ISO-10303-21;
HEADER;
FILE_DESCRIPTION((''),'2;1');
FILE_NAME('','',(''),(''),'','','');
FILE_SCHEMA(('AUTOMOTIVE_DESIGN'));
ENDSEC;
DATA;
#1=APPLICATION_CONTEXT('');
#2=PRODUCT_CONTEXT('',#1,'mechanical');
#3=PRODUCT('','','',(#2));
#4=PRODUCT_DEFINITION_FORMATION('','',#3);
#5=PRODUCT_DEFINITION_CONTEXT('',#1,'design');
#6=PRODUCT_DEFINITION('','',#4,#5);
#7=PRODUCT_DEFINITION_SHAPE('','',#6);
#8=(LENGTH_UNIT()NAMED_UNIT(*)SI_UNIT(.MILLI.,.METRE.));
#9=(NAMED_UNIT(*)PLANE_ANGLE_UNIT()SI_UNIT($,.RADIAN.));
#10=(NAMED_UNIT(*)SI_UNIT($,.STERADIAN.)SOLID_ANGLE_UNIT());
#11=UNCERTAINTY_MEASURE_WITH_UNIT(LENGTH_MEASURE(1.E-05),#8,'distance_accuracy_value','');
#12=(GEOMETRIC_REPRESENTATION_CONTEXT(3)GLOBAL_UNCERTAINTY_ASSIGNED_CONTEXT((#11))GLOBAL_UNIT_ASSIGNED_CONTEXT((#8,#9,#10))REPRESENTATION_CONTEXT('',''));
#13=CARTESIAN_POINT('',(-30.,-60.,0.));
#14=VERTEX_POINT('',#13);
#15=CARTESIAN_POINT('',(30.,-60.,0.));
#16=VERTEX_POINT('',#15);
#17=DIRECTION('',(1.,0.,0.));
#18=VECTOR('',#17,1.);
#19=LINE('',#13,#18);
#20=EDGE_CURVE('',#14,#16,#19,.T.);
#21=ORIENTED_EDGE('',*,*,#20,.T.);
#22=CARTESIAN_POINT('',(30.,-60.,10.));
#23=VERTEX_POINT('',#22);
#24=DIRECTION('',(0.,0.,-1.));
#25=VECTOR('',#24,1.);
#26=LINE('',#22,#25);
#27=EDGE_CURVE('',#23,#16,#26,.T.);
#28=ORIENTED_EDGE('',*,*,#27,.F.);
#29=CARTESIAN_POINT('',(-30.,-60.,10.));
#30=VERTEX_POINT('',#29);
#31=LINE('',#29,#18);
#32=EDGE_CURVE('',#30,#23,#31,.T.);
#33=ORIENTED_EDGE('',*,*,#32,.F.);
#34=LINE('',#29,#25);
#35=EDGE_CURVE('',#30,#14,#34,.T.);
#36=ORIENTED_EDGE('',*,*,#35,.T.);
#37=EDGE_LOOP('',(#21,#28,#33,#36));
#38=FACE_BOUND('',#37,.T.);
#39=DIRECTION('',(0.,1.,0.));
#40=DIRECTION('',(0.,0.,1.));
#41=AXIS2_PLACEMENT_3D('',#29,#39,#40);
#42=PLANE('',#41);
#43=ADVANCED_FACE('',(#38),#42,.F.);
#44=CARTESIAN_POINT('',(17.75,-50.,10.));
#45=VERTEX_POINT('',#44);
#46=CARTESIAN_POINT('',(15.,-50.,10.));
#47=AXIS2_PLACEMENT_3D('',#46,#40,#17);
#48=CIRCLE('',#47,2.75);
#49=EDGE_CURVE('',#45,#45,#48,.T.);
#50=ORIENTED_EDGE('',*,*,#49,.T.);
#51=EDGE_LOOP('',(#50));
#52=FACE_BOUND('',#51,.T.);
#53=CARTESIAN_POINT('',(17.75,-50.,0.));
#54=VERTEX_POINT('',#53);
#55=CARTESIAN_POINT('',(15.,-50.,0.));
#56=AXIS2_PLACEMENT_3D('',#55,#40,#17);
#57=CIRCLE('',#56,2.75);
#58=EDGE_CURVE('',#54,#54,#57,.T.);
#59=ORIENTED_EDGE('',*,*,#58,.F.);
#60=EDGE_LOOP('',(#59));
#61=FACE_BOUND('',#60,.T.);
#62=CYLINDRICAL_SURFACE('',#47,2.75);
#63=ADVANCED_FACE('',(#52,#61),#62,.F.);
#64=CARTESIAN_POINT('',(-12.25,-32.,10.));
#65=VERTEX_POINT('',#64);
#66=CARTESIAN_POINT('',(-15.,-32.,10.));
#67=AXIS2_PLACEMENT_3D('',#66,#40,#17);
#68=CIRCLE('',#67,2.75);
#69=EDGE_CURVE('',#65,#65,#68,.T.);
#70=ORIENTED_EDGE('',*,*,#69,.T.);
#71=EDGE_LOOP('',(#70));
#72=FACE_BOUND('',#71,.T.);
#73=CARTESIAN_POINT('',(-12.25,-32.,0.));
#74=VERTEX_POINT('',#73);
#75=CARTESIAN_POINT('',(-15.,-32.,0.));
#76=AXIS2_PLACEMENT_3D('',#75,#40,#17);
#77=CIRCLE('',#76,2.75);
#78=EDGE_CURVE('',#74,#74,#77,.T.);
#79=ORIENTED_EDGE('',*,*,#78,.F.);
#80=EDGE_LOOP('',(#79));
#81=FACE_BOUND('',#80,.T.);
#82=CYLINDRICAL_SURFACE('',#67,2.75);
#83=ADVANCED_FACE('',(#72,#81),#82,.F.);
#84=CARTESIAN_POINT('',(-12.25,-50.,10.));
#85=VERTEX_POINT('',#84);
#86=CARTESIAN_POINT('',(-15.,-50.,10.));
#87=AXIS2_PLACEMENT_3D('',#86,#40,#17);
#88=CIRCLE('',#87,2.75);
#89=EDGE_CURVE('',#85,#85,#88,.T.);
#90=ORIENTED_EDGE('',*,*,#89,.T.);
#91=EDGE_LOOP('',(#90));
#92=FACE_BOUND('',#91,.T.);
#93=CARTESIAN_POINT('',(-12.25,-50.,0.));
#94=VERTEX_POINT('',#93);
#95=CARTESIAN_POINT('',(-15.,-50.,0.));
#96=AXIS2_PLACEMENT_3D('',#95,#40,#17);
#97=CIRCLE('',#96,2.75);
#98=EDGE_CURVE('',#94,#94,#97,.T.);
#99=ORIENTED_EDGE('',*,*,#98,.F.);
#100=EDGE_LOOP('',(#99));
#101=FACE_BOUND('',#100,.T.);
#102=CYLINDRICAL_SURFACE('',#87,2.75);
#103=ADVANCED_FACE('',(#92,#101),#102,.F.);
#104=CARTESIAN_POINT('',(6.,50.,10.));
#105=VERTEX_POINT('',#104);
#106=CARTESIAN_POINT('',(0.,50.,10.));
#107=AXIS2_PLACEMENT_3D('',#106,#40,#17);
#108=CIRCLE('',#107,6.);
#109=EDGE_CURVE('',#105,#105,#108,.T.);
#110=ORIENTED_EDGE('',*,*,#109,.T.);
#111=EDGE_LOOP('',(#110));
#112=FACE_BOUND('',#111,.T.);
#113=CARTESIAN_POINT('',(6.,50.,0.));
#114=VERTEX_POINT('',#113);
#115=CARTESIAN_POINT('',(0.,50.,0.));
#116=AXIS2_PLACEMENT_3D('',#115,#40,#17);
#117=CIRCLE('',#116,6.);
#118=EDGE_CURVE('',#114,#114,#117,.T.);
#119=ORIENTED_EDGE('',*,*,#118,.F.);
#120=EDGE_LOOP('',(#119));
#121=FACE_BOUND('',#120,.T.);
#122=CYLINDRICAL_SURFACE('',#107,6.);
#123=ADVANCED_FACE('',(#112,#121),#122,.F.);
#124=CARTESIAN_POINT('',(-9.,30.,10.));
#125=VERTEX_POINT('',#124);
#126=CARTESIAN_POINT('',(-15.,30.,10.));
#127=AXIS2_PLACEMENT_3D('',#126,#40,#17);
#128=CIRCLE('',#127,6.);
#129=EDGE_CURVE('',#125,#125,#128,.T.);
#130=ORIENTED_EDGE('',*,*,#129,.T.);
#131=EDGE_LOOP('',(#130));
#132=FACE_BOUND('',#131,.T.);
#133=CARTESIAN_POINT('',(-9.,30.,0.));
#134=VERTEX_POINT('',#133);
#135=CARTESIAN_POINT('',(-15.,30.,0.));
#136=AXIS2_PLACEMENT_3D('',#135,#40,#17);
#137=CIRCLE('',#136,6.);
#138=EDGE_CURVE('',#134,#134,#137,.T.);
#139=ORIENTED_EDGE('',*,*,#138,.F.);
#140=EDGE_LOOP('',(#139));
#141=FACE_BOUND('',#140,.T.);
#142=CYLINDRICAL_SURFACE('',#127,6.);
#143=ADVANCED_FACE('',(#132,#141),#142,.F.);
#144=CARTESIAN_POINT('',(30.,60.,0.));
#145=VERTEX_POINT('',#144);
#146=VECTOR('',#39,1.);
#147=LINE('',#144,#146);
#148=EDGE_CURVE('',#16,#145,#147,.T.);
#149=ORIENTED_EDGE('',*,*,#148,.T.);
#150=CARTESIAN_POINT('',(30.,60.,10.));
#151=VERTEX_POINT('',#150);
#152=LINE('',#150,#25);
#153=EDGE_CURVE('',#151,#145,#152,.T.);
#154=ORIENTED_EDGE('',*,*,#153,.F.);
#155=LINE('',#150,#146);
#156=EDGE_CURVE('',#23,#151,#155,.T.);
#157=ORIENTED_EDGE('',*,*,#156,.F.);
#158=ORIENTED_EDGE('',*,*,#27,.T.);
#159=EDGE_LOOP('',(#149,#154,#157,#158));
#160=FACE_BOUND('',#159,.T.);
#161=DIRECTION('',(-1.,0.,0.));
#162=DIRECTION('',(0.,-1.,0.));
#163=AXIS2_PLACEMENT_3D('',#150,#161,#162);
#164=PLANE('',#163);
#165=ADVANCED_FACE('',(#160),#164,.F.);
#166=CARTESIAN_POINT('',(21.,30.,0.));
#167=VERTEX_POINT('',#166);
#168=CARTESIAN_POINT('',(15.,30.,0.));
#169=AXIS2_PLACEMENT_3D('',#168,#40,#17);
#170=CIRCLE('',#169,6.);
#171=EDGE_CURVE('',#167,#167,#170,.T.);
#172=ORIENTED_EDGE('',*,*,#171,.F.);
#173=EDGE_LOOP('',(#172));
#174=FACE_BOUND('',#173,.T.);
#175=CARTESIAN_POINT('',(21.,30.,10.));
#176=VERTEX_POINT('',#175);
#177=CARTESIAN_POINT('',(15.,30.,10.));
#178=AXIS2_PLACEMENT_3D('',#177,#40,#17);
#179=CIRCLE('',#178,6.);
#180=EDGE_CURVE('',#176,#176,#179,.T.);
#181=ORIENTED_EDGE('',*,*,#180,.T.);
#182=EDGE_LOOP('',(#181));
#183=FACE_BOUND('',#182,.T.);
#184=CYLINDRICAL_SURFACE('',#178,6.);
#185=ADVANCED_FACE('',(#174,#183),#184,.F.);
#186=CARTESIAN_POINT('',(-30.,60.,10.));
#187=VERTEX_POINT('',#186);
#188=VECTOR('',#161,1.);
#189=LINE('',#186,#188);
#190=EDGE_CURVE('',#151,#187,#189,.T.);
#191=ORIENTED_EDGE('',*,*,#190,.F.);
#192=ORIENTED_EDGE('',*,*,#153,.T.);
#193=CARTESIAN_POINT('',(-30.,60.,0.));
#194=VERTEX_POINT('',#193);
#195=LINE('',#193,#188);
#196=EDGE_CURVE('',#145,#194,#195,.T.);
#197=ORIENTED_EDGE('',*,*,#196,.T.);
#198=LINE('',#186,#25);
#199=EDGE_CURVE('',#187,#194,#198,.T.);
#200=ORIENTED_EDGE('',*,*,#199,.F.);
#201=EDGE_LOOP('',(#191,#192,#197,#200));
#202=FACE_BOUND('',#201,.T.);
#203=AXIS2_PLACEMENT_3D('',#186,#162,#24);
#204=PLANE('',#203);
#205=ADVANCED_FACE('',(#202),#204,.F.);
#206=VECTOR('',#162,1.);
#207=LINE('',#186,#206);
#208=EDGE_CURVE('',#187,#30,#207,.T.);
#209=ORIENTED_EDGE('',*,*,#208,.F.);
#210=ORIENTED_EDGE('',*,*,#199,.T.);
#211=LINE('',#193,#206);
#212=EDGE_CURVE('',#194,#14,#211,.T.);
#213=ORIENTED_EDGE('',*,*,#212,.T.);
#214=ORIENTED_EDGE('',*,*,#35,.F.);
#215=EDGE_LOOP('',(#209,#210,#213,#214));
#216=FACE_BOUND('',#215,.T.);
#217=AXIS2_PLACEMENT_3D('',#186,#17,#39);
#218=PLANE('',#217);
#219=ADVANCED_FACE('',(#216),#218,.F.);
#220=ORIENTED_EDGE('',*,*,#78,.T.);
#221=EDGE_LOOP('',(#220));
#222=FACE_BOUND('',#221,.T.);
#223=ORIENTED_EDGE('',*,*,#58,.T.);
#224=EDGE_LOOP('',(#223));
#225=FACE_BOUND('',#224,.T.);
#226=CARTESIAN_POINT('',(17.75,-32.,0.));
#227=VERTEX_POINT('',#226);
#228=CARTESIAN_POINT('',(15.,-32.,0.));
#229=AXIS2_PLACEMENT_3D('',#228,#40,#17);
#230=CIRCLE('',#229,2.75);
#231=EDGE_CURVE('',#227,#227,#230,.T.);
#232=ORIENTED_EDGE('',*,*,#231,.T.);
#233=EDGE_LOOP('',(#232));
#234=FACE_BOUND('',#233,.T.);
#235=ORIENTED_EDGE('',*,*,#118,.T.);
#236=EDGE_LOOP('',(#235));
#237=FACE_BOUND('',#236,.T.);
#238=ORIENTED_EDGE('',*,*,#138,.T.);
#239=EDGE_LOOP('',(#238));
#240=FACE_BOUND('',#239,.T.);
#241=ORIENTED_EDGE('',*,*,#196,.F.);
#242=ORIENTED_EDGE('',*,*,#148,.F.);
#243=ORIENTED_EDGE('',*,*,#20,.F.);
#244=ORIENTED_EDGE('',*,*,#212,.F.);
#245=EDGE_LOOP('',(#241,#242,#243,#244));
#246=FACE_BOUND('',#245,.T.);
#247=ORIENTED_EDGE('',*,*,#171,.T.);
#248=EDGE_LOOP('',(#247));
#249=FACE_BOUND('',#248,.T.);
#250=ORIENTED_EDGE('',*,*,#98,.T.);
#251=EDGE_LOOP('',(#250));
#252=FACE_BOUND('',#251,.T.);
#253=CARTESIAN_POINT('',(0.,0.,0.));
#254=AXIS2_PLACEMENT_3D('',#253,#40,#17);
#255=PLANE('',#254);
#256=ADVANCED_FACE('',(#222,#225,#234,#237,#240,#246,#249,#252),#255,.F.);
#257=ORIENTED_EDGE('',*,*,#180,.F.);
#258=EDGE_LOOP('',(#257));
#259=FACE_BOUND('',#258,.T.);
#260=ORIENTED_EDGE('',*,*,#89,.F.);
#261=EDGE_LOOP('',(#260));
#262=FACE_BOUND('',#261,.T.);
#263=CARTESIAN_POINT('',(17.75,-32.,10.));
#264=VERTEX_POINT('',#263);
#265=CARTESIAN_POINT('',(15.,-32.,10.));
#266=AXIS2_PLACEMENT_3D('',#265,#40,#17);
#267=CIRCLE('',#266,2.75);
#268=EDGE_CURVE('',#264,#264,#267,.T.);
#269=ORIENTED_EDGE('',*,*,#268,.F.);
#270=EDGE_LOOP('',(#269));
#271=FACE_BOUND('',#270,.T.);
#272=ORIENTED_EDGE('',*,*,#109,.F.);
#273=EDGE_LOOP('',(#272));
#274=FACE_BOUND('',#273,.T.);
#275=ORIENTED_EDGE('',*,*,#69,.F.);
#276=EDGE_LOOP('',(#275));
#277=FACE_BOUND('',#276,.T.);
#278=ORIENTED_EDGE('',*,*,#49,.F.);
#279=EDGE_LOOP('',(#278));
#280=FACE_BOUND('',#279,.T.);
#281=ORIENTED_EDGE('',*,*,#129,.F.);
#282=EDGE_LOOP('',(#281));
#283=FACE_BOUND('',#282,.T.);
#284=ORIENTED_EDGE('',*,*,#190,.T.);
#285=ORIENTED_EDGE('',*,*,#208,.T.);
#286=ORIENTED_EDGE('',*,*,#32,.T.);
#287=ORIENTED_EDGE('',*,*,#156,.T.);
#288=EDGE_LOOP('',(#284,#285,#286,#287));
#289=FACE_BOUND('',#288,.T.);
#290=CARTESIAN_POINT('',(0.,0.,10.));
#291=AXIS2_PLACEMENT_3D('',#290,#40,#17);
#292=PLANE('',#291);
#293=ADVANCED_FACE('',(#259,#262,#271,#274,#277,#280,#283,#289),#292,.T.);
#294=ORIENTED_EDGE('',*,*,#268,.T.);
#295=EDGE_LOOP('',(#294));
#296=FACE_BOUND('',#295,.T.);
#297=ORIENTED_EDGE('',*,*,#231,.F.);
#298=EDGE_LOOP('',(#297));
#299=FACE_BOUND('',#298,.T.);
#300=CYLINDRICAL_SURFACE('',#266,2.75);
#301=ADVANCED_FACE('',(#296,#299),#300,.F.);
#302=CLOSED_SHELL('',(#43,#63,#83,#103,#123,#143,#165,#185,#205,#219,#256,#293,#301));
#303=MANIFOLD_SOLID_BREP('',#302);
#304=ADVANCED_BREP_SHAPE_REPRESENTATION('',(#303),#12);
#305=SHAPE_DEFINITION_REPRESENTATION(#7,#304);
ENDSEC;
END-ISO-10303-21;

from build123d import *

# Parameters (mm, degrees)
SKETCH_1_W      = 60
SKETCH_1_H      = 120
EXTRUDE_1_DEPTH = 10
MM_1_D          = 5.5
MM_1_DEPTH      = 15
MM_1_TIP        = 1.652366702
MM_1_2_D        = 12
MM_1_2_DEPTH    = 15
MM_1_2_TIP      = 3.605163714


with BuildPart() as part:
    # 草图1 → 凸台-拉伸1 (new body)
    with BuildSketch(Plane.XY):
        Rectangle(SKETCH_1_W, SKETCH_1_H)
    extrude(amount=EXTRUDE_1_DEPTH)

    # mm _1
    with Locations(Plane(origin=(-15, -32, 10), x_dir=(1, 0, 0), z_dir=(0, 0, 1))):
        with Locations((0, 0), (30, 0), (30, -18), (0, -18)):
            Hole(MM_1_D / 2, depth=MM_1_DEPTH)
            with Locations((0, 0, -(MM_1_DEPTH + MM_1_TIP / 2))):  # 118° drill point
                Cone(0, MM_1_D / 2, MM_1_TIP, mode=Mode.SUBTRACT)

    # mm _1 2
    with Locations(Plane.XY.offset(10)):
        with Locations((-15, 30), (15, 30), (0, 50)):
            Hole(MM_1_2_D / 2, depth=MM_1_2_DEPTH)
            with Locations((0, 0, -(MM_1_2_DEPTH + MM_1_2_TIP / 2))):  # 118° drill point
                Cone(0, MM_1_2_D / 2, MM_1_2_TIP, mode=Mode.SUBTRACT)


solid = part.part
